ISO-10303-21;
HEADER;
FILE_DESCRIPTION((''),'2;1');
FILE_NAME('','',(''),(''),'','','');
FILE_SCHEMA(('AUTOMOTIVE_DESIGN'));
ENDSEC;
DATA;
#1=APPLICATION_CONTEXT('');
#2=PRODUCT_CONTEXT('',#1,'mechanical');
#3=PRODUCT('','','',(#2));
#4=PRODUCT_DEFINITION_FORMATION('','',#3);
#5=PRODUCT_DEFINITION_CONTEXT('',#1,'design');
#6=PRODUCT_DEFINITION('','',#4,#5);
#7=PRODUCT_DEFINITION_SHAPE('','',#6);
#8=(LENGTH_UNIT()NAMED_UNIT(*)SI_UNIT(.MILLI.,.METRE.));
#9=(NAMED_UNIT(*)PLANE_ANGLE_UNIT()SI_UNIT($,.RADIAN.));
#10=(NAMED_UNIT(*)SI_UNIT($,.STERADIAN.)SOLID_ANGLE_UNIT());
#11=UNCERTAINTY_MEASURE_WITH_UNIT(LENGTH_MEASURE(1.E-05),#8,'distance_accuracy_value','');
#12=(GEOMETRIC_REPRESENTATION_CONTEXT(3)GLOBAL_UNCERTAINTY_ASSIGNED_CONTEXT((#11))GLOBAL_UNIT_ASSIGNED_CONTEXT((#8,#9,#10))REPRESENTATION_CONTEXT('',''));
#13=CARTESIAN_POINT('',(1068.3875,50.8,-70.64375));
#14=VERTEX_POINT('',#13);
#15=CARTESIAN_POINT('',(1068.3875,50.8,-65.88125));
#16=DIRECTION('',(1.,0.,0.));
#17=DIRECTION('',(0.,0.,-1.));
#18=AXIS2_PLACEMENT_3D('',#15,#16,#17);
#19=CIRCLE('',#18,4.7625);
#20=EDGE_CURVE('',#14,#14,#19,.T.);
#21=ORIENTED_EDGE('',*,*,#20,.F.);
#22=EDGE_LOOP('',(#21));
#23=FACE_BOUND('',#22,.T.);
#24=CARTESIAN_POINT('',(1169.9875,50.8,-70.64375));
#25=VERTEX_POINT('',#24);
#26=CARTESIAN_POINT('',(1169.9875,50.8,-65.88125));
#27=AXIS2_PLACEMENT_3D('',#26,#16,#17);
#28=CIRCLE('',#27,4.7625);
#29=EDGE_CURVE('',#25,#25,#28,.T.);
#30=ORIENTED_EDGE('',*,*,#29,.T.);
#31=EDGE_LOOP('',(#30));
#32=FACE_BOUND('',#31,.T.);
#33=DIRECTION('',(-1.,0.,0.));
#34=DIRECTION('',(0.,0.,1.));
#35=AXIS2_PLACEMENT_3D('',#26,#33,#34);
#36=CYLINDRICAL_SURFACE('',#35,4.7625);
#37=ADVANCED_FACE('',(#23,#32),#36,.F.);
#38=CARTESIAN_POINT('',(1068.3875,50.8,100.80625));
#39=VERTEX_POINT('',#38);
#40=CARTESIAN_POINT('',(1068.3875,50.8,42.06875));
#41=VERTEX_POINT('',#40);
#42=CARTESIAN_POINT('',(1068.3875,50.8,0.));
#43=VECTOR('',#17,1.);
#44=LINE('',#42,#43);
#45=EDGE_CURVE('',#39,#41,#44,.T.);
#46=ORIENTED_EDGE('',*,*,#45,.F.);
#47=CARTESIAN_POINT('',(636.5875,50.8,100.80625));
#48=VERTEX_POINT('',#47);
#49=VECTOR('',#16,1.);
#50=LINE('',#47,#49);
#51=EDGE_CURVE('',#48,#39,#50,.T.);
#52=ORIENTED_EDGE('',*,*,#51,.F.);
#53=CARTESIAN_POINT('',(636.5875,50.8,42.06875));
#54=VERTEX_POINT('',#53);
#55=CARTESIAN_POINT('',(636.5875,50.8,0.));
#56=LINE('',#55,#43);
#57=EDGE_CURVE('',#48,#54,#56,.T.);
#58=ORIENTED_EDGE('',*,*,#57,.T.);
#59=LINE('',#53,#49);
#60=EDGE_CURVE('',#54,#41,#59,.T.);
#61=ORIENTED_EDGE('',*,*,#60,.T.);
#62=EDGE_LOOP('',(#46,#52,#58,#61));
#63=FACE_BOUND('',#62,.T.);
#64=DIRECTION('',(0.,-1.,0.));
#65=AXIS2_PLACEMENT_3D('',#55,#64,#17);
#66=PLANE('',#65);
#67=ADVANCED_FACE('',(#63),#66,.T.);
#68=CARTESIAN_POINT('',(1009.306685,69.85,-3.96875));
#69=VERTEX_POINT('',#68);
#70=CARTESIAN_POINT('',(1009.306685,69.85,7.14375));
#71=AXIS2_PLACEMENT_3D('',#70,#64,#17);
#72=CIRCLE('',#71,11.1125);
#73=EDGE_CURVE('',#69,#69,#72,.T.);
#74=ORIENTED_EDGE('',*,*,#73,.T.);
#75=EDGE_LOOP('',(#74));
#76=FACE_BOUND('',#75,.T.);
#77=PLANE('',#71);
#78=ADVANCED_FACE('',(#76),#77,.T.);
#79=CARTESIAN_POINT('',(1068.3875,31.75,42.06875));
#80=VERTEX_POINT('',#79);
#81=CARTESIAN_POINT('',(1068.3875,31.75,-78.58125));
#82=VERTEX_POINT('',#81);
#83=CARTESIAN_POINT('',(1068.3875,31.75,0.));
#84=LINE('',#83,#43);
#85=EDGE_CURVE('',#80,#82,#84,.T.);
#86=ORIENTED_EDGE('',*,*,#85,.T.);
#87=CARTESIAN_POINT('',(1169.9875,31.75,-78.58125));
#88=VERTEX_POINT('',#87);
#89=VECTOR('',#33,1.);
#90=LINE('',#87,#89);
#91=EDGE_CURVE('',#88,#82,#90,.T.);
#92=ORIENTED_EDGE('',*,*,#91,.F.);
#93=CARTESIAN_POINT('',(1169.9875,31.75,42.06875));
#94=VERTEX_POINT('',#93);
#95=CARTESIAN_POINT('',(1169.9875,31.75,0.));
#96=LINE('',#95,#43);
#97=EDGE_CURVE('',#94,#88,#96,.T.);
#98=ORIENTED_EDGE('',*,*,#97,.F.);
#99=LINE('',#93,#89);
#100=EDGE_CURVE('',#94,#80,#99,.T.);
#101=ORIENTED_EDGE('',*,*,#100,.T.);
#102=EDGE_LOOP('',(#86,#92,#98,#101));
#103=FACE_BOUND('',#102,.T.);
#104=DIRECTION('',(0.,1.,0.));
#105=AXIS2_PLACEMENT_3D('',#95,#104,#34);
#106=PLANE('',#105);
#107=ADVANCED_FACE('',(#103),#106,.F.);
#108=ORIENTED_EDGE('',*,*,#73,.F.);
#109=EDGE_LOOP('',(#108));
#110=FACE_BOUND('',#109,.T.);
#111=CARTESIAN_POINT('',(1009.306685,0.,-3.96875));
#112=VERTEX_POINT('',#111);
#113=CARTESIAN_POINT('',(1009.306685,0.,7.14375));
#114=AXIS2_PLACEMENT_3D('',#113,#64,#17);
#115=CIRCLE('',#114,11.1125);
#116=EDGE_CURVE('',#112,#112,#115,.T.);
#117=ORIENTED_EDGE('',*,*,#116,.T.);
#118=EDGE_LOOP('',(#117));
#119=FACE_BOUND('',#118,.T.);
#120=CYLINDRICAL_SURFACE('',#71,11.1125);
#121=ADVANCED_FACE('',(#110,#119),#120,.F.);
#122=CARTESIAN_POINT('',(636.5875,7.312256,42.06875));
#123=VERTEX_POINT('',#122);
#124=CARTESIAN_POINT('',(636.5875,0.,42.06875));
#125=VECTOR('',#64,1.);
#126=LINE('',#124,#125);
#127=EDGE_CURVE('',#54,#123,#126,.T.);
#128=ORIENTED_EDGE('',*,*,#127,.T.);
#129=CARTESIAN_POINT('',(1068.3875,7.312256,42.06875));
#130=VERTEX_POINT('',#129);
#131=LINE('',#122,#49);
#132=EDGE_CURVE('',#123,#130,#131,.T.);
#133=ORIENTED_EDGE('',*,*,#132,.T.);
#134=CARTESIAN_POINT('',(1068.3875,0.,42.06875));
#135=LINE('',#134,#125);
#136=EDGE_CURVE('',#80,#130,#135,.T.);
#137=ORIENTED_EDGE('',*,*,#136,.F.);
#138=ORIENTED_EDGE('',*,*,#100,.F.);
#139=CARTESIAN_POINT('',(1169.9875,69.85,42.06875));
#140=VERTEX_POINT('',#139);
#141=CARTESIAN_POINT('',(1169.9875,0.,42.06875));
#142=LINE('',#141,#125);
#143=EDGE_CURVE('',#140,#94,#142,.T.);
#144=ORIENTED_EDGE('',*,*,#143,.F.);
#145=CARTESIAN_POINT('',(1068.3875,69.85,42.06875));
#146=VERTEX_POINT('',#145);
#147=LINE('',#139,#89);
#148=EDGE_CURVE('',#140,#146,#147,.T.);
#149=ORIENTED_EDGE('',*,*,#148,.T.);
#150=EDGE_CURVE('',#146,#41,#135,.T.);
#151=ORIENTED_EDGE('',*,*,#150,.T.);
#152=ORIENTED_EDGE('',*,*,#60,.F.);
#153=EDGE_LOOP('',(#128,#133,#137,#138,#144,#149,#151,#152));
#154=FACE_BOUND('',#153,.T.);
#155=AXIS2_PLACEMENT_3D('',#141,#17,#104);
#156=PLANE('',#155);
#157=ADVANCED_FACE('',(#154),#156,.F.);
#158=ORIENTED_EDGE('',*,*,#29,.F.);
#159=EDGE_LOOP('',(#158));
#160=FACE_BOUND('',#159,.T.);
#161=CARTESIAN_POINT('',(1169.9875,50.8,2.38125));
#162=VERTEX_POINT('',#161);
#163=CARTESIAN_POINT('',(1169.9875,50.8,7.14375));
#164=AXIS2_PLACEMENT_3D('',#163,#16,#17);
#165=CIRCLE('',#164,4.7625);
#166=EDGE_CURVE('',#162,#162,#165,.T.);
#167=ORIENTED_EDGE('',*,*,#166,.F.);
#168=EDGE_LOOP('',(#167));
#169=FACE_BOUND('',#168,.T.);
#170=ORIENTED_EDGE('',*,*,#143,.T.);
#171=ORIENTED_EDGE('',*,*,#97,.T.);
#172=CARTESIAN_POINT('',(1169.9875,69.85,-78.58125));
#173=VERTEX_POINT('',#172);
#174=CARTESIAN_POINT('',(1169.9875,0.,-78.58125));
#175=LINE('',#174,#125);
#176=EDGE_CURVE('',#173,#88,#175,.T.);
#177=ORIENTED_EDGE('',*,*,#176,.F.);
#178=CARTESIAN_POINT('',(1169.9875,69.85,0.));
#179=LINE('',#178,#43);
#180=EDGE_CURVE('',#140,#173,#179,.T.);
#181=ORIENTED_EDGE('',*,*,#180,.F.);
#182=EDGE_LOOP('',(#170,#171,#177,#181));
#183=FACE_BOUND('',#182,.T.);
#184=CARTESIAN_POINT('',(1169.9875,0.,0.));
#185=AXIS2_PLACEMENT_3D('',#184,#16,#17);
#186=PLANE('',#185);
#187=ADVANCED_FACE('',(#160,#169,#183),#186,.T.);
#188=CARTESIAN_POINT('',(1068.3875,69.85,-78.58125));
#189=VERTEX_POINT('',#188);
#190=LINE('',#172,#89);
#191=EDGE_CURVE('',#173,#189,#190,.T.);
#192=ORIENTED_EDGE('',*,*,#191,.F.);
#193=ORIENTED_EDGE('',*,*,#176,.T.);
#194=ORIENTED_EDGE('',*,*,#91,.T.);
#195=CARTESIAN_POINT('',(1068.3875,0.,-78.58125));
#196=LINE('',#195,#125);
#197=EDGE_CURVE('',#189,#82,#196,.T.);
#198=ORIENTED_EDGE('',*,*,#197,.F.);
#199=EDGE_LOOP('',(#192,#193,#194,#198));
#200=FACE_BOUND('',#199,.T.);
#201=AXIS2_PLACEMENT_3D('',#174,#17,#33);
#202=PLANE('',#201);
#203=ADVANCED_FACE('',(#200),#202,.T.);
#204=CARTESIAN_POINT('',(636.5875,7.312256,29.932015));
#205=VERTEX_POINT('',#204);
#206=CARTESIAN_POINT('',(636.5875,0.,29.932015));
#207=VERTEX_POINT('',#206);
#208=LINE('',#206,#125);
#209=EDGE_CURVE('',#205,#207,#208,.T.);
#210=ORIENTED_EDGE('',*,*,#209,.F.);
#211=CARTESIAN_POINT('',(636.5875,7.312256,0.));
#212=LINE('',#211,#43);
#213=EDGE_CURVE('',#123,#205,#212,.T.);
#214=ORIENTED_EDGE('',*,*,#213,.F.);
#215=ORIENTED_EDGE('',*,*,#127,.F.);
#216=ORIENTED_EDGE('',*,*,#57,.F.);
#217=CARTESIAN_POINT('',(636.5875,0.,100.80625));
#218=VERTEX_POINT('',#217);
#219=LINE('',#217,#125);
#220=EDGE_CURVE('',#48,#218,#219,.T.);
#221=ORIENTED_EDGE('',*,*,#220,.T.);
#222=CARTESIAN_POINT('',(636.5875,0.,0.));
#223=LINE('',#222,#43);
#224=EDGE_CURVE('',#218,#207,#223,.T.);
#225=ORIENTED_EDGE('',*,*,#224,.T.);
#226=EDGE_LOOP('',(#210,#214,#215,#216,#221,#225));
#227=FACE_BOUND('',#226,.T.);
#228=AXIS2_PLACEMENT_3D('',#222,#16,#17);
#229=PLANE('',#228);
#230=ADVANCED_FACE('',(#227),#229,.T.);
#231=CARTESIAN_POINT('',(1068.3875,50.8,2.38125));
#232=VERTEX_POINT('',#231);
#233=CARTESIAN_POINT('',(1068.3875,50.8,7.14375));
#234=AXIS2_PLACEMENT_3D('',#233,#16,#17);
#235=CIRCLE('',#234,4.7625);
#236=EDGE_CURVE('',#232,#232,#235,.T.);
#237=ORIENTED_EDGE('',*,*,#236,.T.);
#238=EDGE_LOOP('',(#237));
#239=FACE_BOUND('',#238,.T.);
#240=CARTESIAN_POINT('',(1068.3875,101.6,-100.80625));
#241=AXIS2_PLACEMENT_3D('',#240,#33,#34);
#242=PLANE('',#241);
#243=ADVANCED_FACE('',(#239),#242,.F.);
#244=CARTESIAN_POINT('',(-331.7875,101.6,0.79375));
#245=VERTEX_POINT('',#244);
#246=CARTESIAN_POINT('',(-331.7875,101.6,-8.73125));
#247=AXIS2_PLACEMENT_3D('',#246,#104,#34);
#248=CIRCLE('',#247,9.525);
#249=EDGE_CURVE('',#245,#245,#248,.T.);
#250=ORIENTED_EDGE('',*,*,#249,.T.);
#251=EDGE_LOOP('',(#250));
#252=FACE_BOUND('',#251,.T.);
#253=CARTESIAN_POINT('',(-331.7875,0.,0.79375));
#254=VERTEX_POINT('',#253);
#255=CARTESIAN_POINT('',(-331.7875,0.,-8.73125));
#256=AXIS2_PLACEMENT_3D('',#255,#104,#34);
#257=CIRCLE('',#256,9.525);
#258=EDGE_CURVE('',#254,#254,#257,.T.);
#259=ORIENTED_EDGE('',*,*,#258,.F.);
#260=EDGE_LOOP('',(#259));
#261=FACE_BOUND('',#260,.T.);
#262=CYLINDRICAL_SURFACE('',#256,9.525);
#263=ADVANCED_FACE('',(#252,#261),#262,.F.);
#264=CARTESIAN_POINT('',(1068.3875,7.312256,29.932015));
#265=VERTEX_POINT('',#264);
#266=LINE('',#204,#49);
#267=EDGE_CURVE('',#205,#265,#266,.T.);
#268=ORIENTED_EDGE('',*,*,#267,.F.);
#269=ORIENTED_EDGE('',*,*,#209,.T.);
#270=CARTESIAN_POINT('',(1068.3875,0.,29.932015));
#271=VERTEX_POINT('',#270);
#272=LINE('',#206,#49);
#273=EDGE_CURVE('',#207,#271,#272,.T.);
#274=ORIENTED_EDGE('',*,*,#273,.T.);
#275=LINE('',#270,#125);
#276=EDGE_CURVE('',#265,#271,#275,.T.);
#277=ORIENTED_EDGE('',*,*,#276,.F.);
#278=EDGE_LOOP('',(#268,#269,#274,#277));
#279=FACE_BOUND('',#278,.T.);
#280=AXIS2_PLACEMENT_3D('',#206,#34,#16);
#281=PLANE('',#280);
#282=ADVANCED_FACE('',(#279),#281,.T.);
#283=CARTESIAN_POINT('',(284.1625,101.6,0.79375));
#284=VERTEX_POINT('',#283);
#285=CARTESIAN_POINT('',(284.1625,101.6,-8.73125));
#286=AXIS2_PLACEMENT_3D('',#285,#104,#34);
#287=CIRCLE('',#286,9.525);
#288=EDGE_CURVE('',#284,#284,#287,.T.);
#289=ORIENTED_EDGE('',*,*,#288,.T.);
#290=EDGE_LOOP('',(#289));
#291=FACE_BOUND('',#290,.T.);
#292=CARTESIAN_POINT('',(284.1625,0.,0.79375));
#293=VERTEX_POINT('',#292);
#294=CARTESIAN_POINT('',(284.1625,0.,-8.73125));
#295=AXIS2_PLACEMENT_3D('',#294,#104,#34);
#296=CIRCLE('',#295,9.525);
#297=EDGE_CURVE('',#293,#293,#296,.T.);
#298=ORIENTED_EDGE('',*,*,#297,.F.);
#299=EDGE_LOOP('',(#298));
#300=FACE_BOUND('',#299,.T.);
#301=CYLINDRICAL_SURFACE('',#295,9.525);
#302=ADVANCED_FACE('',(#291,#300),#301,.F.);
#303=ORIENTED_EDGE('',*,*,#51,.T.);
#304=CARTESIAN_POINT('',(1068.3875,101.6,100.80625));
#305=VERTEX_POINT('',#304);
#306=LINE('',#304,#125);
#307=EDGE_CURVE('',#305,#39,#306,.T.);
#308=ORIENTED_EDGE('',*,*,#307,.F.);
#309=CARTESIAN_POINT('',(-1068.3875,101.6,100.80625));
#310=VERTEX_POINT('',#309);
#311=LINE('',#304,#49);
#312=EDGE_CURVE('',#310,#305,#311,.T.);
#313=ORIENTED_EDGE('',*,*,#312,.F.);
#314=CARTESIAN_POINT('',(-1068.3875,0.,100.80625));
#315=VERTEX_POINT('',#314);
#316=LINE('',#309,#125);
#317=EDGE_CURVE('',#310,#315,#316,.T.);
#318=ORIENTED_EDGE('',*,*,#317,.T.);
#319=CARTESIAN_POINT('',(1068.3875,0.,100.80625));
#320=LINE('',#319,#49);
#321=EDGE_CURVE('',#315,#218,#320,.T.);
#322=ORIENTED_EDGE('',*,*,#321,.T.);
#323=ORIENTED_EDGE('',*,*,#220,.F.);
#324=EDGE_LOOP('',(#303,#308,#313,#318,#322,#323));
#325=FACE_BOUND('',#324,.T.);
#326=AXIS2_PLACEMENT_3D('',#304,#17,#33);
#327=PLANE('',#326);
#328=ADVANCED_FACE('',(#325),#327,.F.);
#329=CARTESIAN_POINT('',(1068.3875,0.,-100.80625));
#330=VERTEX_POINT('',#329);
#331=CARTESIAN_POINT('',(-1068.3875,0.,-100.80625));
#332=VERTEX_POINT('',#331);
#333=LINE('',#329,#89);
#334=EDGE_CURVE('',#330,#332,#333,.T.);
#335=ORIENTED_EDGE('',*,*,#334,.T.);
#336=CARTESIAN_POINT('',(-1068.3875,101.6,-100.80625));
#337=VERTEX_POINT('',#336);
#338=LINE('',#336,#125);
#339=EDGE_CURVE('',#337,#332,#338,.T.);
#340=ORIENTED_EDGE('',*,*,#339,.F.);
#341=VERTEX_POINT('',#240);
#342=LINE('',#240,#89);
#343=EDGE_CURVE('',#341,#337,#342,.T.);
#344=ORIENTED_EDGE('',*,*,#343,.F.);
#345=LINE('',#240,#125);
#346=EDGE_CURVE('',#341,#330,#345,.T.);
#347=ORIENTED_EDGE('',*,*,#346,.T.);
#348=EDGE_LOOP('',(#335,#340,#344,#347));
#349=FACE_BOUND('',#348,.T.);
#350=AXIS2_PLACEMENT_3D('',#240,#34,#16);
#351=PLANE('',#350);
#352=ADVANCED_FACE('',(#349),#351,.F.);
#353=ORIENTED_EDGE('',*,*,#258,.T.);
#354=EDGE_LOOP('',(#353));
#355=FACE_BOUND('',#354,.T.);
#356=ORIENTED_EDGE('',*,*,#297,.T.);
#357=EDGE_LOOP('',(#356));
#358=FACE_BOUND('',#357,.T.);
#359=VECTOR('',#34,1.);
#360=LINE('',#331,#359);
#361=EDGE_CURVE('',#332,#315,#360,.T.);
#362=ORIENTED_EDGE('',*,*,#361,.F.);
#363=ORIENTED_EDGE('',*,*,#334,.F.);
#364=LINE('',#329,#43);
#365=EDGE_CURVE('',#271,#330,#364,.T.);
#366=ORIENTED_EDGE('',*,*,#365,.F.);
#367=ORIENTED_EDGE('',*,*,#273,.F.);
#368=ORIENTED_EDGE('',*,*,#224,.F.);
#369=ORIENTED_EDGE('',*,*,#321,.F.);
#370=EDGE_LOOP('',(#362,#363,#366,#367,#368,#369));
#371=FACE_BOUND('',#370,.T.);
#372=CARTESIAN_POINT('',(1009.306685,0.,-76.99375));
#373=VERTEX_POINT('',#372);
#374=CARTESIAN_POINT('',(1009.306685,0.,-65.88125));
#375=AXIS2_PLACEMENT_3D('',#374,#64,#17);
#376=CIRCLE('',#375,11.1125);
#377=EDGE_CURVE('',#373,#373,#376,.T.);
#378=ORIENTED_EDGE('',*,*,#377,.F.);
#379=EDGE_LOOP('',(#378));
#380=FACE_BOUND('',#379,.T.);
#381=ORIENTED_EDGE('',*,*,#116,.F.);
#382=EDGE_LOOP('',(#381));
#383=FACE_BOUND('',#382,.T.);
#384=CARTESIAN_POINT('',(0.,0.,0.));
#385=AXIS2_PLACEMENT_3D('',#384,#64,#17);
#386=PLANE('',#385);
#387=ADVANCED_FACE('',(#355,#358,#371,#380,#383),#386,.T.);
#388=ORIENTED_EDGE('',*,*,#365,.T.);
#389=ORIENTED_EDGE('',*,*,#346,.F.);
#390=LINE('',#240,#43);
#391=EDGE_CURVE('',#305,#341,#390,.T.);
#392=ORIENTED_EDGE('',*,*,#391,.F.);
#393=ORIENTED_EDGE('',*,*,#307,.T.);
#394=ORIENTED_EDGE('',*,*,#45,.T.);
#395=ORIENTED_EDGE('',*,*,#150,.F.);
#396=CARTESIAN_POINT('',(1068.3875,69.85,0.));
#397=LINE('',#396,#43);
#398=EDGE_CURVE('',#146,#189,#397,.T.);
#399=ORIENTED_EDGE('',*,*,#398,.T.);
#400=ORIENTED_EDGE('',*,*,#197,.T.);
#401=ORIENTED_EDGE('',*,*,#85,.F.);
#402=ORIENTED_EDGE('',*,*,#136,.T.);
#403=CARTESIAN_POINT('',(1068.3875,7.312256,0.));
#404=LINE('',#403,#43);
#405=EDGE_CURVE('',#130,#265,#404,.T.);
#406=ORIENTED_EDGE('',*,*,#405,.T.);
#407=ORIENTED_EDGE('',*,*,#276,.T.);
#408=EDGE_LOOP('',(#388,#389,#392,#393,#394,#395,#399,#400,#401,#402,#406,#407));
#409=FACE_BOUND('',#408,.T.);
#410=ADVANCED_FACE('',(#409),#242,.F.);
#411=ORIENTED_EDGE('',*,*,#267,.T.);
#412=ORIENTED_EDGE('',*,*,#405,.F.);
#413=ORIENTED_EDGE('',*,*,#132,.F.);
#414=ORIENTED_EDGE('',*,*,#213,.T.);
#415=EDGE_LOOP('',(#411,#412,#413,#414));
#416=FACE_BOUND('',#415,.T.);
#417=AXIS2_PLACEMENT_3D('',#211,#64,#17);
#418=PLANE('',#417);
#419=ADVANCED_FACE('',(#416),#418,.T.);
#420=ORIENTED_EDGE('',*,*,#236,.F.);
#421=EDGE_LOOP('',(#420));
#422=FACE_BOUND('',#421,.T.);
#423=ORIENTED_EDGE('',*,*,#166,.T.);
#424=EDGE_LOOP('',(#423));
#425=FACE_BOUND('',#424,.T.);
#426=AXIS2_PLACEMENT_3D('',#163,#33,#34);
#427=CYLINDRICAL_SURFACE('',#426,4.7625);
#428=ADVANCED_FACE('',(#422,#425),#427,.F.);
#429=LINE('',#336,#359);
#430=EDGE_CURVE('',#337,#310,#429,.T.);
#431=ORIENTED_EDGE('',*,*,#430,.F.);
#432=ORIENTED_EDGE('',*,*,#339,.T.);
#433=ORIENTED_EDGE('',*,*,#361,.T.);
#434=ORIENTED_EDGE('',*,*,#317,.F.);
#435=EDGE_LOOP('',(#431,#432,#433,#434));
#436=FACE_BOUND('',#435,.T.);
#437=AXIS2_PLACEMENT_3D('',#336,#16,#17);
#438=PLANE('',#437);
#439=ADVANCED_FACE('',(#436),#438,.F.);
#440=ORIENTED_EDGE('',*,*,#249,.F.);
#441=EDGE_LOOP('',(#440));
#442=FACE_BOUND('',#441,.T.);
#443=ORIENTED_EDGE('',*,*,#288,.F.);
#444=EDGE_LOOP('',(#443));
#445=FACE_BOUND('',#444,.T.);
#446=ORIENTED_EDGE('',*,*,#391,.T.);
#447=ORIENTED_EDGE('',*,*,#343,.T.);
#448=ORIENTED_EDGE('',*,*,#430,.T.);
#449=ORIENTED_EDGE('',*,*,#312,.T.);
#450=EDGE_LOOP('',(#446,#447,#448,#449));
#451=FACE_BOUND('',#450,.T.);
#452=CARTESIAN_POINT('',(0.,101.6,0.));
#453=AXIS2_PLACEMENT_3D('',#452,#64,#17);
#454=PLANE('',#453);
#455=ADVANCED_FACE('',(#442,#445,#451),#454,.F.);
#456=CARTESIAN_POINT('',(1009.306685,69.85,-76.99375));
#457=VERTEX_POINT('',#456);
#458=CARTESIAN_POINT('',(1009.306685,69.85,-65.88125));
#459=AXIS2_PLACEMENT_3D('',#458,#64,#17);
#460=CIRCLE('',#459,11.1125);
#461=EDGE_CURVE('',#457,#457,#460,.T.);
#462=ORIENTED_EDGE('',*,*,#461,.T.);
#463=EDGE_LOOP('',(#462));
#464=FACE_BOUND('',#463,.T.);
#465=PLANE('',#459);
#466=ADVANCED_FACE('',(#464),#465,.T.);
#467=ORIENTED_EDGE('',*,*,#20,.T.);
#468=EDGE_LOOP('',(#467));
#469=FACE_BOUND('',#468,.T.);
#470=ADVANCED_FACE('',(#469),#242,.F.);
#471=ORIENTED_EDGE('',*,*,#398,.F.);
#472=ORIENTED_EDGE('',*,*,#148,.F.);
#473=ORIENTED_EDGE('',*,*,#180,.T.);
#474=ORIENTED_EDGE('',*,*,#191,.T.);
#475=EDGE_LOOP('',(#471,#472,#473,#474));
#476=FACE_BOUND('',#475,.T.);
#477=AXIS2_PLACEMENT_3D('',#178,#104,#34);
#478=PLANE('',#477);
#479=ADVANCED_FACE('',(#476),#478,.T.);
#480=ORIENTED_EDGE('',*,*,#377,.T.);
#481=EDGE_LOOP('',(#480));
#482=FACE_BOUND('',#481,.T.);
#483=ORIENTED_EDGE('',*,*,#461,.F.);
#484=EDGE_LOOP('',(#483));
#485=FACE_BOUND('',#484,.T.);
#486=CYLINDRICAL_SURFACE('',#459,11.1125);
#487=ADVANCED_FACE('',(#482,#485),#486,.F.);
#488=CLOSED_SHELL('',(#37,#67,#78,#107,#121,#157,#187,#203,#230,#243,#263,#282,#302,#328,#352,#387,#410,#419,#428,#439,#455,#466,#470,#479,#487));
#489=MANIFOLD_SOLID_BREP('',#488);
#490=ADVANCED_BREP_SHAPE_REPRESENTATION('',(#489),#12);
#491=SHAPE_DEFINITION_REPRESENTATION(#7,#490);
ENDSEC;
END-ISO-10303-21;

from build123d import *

# Parameters (mm, degrees)
SKETCH1_W           = 2136.775
SKETCH1_H           = 201.6125
BOSS_EXTRUDE1_DEPTH = 101.6
SKETCH2_R           = 9.525
CUT_EXTRUDE1_DEPTH  = 1078.931496059
SKETCH3_R           = 4.7625
BOSS_EXTRUDE2_DEPTH = 101.6
CUT_EXTRUDE2_DEPTH  = 431.8
SKETCH5_R           = 11.1125
CUT_EXTRUDE3_DEPTH  = 69.85


with BuildPart() as part:
    # Sketch1 → Boss-Extrude1 (new body)
    with BuildSketch(Plane(origin=(0, 0, 0), x_dir=(1, 0, 0), z_dir=(0, 1, 0))):
        Rectangle(SKETCH1_W, SKETCH1_H)
    extrude(amount=BOSS_EXTRUDE1_DEPTH)

    # Sketch2 → Cut-Extrude1 (cut, through all)
    with BuildSketch(Plane(origin=(0, 101.6, 0), x_dir=(1, 0, 0), z_dir=(0, 1, 0))):
        with Locations((-331.7875, 8.73125)):
            Circle(SKETCH2_R)
        with Locations((284.1625, 8.73125)):
            Circle(SKETCH2_R)
    extrude(amount=-CUT_EXTRUDE1_DEPTH, mode=Mode.SUBTRACT)

    # Sketch3 → Boss-Extrude2 (add)
    with BuildSketch(Plane(origin=(1068.3875, 0, 0), x_dir=(0, 0, -1), z_dir=(1, 0, 0))):
        Polygon((78.58125, 69.85), (-42.06875, 69.85), (-42.06875, 50.8), (-42.06875, 31.75), (78.58125, 31.75), align=None)
        with Locations((-7.14375, 50.8)):
            Circle(SKETCH3_R, mode=Mode.SUBTRACT)
        with Locations((65.88125, 50.8)):
            Circle(SKETCH3_R, mode=Mode.SUBTRACT)
    extrude(amount=BOSS_EXTRUDE2_DEPTH)

    # Sketch3<3> → Cut-Extrude2 (cut)
    with BuildSketch(Plane(origin=(1068.3875, 0, 0), x_dir=(0, 0, -1), z_dir=(1, 0, 0))):
        Polygon((-42.06875, 31.75), (-42.06875, 50.8), (-100.80625, 50.8), (-100.80625, 0), (-29.932015023, 0), (-29.932015023, 7.312255735), (-42.06875, 7.312255735), align=None)
    extrude(amount=-CUT_EXTRUDE2_DEPTH, mode=Mode.SUBTRACT)

    # Sketch5 → Cut-Extrude3 (cut)
    with BuildSketch(Plane.XZ):
        with Locations((1009.306684953, 7.14375)):
            Circle(SKETCH5_R)
        with Locations((1009.306684953, -65.88125)):
            Circle(SKETCH5_R)
    extrude(amount=-CUT_EXTRUDE3_DEPTH, mode=Mode.SUBTRACT)


solid = part.part
